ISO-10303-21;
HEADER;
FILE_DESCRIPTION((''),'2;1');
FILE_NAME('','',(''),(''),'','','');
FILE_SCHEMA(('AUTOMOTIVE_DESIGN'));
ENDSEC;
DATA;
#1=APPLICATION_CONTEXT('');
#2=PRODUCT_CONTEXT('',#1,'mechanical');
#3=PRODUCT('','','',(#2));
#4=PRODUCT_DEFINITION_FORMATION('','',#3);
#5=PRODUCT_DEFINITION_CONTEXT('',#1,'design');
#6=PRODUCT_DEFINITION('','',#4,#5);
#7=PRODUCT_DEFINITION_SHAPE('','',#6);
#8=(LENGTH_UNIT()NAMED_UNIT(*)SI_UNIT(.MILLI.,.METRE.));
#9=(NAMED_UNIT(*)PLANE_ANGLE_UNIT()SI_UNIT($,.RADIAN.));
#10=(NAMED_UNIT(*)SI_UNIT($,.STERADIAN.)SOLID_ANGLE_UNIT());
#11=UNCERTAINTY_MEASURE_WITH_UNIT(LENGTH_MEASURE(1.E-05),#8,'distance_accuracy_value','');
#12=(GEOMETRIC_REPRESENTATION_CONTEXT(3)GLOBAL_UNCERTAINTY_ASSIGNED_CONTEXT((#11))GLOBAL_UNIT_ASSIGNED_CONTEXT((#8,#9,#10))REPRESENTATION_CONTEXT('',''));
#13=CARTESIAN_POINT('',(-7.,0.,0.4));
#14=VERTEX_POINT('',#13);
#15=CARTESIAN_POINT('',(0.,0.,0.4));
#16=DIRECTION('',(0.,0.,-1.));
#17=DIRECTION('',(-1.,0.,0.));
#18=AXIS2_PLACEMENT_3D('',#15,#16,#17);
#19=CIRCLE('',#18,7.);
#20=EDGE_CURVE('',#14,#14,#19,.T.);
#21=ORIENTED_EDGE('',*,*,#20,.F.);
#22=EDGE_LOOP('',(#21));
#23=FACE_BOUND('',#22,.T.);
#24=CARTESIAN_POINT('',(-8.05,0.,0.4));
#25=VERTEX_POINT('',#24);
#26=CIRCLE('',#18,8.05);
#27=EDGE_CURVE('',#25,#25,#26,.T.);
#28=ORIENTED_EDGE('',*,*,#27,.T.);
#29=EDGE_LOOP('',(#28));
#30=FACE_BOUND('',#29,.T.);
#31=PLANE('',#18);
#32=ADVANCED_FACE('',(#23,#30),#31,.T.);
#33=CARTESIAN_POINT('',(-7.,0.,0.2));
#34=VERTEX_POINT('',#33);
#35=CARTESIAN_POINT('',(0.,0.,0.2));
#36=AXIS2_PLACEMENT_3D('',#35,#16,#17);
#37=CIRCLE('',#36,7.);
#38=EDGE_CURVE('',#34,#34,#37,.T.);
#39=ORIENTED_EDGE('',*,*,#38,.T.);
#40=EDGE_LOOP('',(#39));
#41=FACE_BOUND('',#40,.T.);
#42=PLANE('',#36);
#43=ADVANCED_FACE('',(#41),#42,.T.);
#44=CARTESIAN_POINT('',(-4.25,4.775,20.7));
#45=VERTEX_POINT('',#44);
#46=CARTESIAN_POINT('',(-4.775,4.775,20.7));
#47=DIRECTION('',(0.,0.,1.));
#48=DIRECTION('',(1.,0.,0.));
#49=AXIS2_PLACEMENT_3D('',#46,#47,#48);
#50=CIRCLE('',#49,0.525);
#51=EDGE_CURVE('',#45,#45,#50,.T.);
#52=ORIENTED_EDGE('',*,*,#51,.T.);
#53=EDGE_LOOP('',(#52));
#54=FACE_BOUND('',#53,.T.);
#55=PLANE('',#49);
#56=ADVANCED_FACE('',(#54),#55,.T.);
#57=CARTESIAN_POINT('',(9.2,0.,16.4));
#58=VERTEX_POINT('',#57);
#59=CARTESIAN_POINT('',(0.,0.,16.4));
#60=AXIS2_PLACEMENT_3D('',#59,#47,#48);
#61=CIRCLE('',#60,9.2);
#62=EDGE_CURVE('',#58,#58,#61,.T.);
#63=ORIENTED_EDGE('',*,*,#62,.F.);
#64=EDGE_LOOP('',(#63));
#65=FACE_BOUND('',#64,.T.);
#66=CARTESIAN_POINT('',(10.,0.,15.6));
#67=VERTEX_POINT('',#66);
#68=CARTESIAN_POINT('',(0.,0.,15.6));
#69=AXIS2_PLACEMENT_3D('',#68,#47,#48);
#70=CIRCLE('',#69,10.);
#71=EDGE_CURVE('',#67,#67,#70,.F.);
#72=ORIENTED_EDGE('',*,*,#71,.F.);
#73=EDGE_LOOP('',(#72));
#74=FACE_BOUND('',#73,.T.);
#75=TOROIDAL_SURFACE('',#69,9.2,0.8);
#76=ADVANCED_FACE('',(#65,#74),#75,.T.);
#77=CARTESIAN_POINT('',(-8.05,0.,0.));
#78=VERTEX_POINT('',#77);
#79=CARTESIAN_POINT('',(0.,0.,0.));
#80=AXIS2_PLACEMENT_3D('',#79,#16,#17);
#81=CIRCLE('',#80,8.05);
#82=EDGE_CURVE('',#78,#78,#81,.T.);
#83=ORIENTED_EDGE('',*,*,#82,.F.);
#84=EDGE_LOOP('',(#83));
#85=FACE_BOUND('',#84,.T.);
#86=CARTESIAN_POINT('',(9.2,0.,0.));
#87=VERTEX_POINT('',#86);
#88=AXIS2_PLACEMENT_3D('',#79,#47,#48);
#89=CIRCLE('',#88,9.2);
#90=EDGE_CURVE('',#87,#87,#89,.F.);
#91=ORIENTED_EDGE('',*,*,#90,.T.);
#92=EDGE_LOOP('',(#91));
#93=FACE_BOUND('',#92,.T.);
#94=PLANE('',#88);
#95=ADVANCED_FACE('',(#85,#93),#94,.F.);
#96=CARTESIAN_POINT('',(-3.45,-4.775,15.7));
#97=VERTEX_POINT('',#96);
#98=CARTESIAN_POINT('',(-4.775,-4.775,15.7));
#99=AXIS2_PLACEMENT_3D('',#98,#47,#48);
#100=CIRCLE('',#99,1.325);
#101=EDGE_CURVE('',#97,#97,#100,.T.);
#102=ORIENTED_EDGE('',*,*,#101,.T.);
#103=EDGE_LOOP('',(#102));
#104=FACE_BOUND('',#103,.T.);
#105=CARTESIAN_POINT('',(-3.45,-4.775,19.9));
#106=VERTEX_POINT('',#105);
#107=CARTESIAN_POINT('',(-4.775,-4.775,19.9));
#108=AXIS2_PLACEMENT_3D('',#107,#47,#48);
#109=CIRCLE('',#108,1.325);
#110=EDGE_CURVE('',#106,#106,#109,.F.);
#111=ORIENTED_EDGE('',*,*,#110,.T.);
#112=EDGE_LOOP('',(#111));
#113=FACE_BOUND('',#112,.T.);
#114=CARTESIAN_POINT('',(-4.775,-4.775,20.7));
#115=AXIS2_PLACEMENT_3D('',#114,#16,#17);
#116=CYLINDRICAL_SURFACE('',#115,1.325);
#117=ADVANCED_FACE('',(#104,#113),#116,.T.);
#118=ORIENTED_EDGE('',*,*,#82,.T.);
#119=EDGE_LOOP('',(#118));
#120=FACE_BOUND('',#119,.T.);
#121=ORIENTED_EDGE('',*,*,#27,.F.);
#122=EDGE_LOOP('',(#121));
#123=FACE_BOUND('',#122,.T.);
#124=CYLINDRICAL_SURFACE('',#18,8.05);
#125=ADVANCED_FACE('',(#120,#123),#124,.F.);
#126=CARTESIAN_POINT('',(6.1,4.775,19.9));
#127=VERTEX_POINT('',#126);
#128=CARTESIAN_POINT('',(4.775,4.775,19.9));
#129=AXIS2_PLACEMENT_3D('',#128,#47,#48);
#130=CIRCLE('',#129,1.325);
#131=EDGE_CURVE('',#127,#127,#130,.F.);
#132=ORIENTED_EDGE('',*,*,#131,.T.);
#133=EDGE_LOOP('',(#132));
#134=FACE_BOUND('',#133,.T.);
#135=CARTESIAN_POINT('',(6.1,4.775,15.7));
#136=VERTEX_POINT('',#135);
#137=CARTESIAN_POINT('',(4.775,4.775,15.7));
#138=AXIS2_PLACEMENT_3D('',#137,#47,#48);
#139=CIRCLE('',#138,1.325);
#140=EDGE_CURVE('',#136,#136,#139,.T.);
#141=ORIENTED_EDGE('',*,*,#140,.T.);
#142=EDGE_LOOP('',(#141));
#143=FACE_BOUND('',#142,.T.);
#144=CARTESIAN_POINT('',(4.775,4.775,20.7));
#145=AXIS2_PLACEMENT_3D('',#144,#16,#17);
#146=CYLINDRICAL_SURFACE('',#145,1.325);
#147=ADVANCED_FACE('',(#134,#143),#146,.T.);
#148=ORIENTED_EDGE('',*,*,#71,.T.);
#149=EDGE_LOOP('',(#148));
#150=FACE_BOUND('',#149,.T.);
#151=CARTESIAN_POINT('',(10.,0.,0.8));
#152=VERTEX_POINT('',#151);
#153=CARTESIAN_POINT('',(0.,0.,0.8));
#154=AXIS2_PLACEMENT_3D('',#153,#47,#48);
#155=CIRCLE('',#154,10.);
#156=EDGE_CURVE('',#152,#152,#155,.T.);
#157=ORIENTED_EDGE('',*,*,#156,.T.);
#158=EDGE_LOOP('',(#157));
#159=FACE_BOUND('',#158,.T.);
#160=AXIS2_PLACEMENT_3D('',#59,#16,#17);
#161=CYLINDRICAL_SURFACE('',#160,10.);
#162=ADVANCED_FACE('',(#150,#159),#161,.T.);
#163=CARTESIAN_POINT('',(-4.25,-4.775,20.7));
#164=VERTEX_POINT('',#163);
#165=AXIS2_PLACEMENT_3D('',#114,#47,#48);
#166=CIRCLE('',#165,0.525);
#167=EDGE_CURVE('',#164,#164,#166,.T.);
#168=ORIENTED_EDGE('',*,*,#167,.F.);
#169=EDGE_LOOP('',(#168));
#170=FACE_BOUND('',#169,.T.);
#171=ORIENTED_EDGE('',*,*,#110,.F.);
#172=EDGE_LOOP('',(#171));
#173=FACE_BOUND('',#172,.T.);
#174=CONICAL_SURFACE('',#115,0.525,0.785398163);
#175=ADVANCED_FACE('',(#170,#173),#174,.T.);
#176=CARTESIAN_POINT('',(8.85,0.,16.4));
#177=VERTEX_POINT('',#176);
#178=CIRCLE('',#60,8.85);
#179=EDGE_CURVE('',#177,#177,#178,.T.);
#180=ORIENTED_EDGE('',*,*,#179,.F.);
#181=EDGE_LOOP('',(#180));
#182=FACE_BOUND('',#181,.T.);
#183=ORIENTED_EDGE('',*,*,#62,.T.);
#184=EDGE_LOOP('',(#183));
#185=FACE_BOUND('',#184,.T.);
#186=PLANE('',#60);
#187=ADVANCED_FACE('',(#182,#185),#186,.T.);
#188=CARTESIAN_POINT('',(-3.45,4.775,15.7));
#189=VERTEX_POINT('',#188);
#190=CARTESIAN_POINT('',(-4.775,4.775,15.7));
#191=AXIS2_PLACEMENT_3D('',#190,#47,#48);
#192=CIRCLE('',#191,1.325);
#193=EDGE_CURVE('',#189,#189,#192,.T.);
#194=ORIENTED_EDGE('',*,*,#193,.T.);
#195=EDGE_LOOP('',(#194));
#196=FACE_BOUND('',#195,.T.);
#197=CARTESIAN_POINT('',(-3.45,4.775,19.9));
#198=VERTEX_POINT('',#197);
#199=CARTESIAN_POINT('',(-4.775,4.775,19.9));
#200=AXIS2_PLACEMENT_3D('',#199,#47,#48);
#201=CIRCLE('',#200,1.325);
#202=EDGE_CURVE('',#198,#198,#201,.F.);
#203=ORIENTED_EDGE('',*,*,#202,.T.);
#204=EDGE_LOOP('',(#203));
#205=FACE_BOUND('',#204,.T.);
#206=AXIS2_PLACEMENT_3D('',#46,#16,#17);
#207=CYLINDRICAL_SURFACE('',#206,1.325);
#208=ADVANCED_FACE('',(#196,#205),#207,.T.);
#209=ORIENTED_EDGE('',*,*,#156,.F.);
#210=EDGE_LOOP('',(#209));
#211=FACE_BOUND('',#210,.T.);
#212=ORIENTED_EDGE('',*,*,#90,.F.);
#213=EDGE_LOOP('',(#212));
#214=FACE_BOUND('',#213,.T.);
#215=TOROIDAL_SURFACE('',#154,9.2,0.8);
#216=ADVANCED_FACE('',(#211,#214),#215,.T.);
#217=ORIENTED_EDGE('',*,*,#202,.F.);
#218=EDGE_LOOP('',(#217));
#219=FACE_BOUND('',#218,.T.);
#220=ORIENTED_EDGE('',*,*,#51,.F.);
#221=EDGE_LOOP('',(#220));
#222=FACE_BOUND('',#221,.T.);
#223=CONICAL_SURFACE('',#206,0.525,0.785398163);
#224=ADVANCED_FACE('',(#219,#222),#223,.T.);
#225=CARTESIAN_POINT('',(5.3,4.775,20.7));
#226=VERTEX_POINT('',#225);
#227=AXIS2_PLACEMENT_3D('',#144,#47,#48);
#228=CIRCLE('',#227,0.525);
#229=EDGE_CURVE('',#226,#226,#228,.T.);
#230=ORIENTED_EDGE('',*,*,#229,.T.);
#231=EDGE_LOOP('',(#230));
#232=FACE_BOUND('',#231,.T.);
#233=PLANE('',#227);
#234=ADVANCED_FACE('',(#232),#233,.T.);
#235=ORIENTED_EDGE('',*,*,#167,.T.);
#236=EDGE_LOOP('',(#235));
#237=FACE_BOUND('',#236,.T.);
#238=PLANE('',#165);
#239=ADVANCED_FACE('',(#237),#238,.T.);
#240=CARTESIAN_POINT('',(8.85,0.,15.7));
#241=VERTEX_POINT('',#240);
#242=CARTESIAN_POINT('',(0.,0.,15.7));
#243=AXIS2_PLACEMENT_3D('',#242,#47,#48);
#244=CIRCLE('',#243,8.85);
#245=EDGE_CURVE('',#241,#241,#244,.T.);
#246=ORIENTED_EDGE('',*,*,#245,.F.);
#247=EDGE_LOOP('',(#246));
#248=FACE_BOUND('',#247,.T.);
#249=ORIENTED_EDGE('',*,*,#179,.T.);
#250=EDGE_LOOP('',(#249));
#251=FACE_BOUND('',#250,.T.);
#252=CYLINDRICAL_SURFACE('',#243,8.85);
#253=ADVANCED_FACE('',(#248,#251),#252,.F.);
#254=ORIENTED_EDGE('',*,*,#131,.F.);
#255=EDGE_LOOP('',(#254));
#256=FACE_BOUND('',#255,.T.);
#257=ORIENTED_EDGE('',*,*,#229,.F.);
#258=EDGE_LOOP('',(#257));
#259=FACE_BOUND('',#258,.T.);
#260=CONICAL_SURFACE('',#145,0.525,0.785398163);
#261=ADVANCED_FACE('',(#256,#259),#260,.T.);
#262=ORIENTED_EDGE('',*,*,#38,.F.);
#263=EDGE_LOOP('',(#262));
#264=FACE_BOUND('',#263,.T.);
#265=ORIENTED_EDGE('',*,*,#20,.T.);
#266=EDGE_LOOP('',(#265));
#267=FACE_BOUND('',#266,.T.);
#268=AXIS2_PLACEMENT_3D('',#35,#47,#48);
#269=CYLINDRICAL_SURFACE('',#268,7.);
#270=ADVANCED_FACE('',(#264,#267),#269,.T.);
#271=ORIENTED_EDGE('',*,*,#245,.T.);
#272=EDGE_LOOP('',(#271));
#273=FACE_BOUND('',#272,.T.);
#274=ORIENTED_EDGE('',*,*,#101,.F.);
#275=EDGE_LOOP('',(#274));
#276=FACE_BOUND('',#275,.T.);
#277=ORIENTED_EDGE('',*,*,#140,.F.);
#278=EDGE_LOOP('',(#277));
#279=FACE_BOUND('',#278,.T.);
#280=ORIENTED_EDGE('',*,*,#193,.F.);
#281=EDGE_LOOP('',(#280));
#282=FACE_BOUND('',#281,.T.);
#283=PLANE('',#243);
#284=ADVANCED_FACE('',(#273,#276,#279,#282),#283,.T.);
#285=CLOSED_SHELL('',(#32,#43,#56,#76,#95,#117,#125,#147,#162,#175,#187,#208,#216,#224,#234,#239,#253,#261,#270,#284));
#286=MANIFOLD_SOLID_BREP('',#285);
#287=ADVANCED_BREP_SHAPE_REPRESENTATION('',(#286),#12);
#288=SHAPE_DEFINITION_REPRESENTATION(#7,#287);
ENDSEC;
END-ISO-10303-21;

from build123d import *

# Parameters (mm, degrees)
SKETCH_1_R          = 10
EXTRUDE_1_DEPTH     = 16.4
SKETCH_2_R          = 8.85
CUT_EXTRUDE_1_DEPTH = 0.7
SKETCH_3_R          = 1.325
EXTRUDE_2_DEPTH     = 5
CHAMFER_1_SIZE      = 0.8
SKETCH_4_R          = 8.05
CUT_EXTRUDE_2_DEPTH = 0.4
FILLET_1_R          = 0.8
SKETCH_5_R          = 7
EXTRUDE_3_DEPTH     = 0.2


with BuildPart() as part:
    # Эскиз1 → Бобышка-Вытянуть1 (new body)
    with BuildSketch(Plane.XY):
        Circle(SKETCH_1_R)
    extrude(amount=EXTRUDE_1_DEPTH)

    # Эскиз2 → Вырез-Вытянуть1 (cut)
    with BuildSketch(Plane.XY.offset(16.4)):
        Circle(SKETCH_2_R)
    extrude(amount=-CUT_EXTRUDE_1_DEPTH, mode=Mode.SUBTRACT)

    # Эскиз3 → Бобышка-Вытянуть2 (add)
    with BuildSketch(Plane.XY.offset(15.7)):
        with Locations((-4.775, 4.775)):
            Circle(SKETCH_3_R)
        with Locations((-4.775, -4.775)):
            Circle(SKETCH_3_R)
        with Locations((4.775, 4.775)):
            Circle(SKETCH_3_R)
    extrude(amount=EXTRUDE_2_DEPTH)

    # Фаска1
    chamfer_1_edges = [part.edges().sort_by_distance(p)[0] for p in [
        (-6.1, 4.775, 20.7),
        (-6.1, -4.775, 20.7),
        (3.45, 4.775, 20.7),
    ]]
    chamfer(chamfer_1_edges, length=CHAMFER_1_SIZE)

    # Эскиз4 → Вырез-Вытянуть2 (cut)
    with BuildSketch(Plane(origin=(0, 0, 0), x_dir=(-1, 0, 0), z_dir=(0, 0, -1))):
        Circle(SKETCH_4_R)
    extrude(amount=-CUT_EXTRUDE_2_DEPTH, mode=Mode.SUBTRACT)

    # Скругление1
    fillet_1_edges = [part.edges().sort_by_distance(p)[0] for p in [
        (-10, 0, 0),
        (-10, 0, 16.4),
    ]]
    fillet(fillet_1_edges, radius=FILLET_1_R)

    # Эскиз5 → Бобышка-Вытянуть3 (add)
    with BuildSketch(Plane(origin=(0, 0, 0.4), x_dir=(-1, 0, 0), z_dir=(0, 0, -1))):
        Circle(SKETCH_5_R)
    extrude(amount=EXTRUDE_3_DEPTH)


solid = part.part
